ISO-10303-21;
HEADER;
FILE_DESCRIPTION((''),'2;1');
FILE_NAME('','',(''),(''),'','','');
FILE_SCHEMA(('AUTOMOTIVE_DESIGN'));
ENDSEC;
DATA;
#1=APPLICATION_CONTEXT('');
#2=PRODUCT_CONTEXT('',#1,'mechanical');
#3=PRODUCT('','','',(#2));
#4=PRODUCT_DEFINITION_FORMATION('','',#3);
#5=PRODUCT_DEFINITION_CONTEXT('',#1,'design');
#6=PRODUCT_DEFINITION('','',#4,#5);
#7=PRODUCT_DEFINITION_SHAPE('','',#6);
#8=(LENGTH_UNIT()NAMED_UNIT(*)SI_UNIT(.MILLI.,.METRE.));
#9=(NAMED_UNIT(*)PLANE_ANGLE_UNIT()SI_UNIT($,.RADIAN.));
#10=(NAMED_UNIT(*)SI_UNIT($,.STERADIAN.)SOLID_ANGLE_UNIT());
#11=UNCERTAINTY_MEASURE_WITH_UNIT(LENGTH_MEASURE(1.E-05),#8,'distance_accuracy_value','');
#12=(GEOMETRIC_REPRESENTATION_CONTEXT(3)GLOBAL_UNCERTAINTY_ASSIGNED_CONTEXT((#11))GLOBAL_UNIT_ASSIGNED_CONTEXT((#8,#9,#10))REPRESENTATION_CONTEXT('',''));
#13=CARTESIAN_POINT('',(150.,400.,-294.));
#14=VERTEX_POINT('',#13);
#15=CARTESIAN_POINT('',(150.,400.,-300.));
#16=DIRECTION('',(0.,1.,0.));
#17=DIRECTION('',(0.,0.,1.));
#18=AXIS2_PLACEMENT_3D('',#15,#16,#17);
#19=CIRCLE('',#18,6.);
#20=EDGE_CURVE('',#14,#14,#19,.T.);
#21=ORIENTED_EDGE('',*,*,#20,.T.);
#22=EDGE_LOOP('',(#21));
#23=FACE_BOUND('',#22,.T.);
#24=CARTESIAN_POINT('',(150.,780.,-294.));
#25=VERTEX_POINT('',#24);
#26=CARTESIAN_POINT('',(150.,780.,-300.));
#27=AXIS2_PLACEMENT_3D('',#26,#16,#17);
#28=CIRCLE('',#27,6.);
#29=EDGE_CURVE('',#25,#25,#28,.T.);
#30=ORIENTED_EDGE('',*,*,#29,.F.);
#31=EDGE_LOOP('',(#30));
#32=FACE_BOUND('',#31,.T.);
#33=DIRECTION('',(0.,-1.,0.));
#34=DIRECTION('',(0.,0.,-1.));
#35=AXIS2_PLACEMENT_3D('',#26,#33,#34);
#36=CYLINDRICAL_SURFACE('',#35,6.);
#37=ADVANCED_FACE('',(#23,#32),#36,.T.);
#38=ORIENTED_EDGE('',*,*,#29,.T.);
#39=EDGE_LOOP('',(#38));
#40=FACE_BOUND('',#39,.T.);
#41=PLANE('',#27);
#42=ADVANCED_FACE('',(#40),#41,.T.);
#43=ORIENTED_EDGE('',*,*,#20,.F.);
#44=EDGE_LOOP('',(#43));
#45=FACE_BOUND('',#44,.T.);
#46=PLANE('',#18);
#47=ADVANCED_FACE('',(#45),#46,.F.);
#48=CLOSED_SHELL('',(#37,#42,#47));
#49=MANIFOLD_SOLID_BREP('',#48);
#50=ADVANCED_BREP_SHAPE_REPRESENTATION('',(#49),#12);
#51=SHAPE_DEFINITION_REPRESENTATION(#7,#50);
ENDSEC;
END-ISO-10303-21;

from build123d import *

# Parameters (mm, degrees)
OVEN_KESME_KILAVUZ_MILI_D12_1_START = 400
SKETCH1_R                           = 6
OVEN_KESME_KILAVUZ_MILI_D12_1_DEPTH = 380


with BuildPart() as part:
    # Sketch1 → OVEN_kesme_kilavuz_mili_D12_1 (new body)
    with BuildSketch(Plane(origin=(0, 0, 0), x_dir=(1, 0, 0), z_dir=(0, 1, 0)).offset(OVEN_KESME_KILAVUZ_MILI_D12_1_START)):
        with Locations(Location((150, 300, 0), (0, 0, 270))):
            Circle(SKETCH1_R)
    extrude(amount=OVEN_KESME_KILAVUZ_MILI_D12_1_DEPTH)


solid = part.part
